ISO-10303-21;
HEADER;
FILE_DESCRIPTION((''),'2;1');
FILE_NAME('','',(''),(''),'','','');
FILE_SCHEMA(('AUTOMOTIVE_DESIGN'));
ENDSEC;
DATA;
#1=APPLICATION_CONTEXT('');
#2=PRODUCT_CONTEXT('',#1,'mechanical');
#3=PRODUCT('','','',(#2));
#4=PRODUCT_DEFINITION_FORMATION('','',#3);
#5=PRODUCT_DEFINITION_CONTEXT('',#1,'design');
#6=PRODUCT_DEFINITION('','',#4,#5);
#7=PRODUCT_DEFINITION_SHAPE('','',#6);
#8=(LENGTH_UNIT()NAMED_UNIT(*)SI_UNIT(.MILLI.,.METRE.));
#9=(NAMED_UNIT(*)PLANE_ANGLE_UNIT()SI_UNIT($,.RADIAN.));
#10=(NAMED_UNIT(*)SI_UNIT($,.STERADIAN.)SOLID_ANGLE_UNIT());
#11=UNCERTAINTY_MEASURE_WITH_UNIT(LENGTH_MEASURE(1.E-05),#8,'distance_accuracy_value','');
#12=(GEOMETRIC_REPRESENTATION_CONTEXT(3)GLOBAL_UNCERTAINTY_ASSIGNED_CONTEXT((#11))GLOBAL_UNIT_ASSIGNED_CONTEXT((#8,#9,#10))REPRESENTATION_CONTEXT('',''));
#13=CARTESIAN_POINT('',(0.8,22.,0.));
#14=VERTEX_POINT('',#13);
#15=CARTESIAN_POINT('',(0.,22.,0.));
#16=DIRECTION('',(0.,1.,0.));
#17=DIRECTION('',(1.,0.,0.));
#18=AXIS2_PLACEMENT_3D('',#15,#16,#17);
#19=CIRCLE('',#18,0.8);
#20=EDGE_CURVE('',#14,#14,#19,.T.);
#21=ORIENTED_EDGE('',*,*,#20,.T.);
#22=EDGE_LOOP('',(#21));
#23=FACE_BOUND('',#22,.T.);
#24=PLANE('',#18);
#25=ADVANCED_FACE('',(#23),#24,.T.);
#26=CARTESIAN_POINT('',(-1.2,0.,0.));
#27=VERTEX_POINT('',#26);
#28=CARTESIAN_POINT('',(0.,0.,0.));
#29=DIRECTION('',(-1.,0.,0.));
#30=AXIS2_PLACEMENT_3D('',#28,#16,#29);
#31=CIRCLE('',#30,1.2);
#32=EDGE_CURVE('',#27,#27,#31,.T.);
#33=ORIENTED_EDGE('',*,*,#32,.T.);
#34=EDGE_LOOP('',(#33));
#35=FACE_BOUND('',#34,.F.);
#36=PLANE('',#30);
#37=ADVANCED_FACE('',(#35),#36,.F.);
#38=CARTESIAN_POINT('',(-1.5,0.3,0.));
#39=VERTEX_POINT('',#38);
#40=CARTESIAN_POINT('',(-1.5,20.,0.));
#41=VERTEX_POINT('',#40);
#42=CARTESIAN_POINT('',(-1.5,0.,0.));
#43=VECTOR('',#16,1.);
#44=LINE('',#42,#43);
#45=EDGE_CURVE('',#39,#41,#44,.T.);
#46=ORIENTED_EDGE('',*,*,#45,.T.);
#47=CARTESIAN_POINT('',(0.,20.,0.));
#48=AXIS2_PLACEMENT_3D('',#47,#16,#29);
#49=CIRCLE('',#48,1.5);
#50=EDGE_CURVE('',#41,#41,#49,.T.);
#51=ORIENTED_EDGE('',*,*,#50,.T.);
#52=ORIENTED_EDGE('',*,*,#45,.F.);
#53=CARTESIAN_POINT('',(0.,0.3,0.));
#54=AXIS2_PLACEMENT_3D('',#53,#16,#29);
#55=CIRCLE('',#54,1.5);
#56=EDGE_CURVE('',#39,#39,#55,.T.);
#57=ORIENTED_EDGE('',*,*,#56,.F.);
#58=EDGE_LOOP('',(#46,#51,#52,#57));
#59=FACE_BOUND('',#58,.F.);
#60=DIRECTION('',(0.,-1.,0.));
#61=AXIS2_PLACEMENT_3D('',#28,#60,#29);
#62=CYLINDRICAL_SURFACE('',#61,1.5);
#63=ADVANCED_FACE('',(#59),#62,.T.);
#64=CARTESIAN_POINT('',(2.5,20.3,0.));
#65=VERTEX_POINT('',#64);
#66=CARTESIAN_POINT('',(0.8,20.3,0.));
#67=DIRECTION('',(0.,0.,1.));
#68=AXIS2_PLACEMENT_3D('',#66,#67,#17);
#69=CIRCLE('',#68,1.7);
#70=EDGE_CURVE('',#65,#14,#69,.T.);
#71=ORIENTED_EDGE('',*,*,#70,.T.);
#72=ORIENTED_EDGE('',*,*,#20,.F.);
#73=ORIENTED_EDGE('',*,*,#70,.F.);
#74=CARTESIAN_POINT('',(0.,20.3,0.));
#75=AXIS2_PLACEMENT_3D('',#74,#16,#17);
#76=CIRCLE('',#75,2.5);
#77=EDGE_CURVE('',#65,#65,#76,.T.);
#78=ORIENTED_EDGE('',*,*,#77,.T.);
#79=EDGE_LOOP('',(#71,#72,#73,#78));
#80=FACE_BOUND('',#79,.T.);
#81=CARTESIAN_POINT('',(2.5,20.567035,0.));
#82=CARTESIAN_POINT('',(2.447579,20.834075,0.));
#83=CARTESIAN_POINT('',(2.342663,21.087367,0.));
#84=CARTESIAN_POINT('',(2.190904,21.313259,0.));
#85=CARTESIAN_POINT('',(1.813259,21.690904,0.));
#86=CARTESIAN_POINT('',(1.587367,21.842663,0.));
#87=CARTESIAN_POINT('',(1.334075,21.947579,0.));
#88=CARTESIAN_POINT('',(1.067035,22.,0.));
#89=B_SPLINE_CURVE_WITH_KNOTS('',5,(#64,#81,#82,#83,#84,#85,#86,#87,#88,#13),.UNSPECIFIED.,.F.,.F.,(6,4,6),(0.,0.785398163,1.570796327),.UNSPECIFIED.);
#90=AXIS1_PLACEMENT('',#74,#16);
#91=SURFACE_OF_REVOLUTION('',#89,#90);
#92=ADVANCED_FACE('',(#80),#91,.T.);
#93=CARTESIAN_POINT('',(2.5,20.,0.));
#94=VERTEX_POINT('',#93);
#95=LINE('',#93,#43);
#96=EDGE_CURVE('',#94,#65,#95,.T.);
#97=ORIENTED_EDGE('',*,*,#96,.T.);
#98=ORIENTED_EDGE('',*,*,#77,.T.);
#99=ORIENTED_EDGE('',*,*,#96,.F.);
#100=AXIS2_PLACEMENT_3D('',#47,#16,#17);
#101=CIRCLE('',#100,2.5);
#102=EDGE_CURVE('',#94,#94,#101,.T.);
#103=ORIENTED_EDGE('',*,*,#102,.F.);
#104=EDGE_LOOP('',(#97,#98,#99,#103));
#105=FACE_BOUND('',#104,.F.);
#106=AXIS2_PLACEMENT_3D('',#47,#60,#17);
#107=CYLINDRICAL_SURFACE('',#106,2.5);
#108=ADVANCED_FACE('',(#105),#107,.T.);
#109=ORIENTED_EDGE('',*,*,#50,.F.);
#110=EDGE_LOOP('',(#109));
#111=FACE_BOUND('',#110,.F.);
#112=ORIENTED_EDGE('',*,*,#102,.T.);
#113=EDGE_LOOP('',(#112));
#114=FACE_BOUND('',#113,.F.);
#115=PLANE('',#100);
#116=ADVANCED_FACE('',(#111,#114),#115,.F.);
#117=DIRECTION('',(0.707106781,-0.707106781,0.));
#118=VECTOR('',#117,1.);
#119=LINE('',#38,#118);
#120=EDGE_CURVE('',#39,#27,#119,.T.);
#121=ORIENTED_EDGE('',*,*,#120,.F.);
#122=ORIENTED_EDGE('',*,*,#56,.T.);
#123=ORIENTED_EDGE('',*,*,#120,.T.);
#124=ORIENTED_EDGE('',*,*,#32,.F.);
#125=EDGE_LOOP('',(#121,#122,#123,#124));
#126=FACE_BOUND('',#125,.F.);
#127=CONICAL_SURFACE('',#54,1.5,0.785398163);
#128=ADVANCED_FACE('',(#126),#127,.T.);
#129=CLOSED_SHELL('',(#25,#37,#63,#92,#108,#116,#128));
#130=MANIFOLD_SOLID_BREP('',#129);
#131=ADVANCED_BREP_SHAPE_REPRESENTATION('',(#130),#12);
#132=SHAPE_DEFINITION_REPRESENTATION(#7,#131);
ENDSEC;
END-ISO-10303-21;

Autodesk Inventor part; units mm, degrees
ref_plane "YZ Plane" through (0, 0, 0) normal (1, 0, 0) x (0, 1, 0)
ref_plane "XZ Plane" through (0, 0, 0) normal (0, 1, 0) x (-1, 0, 0)
ref_plane "XY Plane" through (0, 0, 0) normal (0, 0, 1) x (1, 0, 0)
sketch "Sketch1" plane through (0, 0, 0) normal (0, 1, 0) x (-1, 0, 0)
  circle A0 centre (0, 0) radius 1.5
  dimension "d0" = 3
extrude "Extrusion1" add sketch "Sketch1" along normal blind 20
sketch "Sketch2" plane through (0, 20, 0) normal (0, 1, 0) x (1, 0, 0)
  circle A0 centre (0, 0) radius 2.5
  dimension "d3" = 5
extrude "Extrusion2" add sketch "Sketch2" along normal blind 2
fillet "Fillet1" radius 1.7 1 edges at (-2.5, 22, 0)
chamfer "Chamfer1" distance 0.3 angle 45 1 edges at (1.5, 0, 0)
thread "Thread1" size "M3x0.5" class "6g" standard "ANSI Metric M Profile" full length
properties part number "M3x20 Screw Nylon" material "Nylon 6"
